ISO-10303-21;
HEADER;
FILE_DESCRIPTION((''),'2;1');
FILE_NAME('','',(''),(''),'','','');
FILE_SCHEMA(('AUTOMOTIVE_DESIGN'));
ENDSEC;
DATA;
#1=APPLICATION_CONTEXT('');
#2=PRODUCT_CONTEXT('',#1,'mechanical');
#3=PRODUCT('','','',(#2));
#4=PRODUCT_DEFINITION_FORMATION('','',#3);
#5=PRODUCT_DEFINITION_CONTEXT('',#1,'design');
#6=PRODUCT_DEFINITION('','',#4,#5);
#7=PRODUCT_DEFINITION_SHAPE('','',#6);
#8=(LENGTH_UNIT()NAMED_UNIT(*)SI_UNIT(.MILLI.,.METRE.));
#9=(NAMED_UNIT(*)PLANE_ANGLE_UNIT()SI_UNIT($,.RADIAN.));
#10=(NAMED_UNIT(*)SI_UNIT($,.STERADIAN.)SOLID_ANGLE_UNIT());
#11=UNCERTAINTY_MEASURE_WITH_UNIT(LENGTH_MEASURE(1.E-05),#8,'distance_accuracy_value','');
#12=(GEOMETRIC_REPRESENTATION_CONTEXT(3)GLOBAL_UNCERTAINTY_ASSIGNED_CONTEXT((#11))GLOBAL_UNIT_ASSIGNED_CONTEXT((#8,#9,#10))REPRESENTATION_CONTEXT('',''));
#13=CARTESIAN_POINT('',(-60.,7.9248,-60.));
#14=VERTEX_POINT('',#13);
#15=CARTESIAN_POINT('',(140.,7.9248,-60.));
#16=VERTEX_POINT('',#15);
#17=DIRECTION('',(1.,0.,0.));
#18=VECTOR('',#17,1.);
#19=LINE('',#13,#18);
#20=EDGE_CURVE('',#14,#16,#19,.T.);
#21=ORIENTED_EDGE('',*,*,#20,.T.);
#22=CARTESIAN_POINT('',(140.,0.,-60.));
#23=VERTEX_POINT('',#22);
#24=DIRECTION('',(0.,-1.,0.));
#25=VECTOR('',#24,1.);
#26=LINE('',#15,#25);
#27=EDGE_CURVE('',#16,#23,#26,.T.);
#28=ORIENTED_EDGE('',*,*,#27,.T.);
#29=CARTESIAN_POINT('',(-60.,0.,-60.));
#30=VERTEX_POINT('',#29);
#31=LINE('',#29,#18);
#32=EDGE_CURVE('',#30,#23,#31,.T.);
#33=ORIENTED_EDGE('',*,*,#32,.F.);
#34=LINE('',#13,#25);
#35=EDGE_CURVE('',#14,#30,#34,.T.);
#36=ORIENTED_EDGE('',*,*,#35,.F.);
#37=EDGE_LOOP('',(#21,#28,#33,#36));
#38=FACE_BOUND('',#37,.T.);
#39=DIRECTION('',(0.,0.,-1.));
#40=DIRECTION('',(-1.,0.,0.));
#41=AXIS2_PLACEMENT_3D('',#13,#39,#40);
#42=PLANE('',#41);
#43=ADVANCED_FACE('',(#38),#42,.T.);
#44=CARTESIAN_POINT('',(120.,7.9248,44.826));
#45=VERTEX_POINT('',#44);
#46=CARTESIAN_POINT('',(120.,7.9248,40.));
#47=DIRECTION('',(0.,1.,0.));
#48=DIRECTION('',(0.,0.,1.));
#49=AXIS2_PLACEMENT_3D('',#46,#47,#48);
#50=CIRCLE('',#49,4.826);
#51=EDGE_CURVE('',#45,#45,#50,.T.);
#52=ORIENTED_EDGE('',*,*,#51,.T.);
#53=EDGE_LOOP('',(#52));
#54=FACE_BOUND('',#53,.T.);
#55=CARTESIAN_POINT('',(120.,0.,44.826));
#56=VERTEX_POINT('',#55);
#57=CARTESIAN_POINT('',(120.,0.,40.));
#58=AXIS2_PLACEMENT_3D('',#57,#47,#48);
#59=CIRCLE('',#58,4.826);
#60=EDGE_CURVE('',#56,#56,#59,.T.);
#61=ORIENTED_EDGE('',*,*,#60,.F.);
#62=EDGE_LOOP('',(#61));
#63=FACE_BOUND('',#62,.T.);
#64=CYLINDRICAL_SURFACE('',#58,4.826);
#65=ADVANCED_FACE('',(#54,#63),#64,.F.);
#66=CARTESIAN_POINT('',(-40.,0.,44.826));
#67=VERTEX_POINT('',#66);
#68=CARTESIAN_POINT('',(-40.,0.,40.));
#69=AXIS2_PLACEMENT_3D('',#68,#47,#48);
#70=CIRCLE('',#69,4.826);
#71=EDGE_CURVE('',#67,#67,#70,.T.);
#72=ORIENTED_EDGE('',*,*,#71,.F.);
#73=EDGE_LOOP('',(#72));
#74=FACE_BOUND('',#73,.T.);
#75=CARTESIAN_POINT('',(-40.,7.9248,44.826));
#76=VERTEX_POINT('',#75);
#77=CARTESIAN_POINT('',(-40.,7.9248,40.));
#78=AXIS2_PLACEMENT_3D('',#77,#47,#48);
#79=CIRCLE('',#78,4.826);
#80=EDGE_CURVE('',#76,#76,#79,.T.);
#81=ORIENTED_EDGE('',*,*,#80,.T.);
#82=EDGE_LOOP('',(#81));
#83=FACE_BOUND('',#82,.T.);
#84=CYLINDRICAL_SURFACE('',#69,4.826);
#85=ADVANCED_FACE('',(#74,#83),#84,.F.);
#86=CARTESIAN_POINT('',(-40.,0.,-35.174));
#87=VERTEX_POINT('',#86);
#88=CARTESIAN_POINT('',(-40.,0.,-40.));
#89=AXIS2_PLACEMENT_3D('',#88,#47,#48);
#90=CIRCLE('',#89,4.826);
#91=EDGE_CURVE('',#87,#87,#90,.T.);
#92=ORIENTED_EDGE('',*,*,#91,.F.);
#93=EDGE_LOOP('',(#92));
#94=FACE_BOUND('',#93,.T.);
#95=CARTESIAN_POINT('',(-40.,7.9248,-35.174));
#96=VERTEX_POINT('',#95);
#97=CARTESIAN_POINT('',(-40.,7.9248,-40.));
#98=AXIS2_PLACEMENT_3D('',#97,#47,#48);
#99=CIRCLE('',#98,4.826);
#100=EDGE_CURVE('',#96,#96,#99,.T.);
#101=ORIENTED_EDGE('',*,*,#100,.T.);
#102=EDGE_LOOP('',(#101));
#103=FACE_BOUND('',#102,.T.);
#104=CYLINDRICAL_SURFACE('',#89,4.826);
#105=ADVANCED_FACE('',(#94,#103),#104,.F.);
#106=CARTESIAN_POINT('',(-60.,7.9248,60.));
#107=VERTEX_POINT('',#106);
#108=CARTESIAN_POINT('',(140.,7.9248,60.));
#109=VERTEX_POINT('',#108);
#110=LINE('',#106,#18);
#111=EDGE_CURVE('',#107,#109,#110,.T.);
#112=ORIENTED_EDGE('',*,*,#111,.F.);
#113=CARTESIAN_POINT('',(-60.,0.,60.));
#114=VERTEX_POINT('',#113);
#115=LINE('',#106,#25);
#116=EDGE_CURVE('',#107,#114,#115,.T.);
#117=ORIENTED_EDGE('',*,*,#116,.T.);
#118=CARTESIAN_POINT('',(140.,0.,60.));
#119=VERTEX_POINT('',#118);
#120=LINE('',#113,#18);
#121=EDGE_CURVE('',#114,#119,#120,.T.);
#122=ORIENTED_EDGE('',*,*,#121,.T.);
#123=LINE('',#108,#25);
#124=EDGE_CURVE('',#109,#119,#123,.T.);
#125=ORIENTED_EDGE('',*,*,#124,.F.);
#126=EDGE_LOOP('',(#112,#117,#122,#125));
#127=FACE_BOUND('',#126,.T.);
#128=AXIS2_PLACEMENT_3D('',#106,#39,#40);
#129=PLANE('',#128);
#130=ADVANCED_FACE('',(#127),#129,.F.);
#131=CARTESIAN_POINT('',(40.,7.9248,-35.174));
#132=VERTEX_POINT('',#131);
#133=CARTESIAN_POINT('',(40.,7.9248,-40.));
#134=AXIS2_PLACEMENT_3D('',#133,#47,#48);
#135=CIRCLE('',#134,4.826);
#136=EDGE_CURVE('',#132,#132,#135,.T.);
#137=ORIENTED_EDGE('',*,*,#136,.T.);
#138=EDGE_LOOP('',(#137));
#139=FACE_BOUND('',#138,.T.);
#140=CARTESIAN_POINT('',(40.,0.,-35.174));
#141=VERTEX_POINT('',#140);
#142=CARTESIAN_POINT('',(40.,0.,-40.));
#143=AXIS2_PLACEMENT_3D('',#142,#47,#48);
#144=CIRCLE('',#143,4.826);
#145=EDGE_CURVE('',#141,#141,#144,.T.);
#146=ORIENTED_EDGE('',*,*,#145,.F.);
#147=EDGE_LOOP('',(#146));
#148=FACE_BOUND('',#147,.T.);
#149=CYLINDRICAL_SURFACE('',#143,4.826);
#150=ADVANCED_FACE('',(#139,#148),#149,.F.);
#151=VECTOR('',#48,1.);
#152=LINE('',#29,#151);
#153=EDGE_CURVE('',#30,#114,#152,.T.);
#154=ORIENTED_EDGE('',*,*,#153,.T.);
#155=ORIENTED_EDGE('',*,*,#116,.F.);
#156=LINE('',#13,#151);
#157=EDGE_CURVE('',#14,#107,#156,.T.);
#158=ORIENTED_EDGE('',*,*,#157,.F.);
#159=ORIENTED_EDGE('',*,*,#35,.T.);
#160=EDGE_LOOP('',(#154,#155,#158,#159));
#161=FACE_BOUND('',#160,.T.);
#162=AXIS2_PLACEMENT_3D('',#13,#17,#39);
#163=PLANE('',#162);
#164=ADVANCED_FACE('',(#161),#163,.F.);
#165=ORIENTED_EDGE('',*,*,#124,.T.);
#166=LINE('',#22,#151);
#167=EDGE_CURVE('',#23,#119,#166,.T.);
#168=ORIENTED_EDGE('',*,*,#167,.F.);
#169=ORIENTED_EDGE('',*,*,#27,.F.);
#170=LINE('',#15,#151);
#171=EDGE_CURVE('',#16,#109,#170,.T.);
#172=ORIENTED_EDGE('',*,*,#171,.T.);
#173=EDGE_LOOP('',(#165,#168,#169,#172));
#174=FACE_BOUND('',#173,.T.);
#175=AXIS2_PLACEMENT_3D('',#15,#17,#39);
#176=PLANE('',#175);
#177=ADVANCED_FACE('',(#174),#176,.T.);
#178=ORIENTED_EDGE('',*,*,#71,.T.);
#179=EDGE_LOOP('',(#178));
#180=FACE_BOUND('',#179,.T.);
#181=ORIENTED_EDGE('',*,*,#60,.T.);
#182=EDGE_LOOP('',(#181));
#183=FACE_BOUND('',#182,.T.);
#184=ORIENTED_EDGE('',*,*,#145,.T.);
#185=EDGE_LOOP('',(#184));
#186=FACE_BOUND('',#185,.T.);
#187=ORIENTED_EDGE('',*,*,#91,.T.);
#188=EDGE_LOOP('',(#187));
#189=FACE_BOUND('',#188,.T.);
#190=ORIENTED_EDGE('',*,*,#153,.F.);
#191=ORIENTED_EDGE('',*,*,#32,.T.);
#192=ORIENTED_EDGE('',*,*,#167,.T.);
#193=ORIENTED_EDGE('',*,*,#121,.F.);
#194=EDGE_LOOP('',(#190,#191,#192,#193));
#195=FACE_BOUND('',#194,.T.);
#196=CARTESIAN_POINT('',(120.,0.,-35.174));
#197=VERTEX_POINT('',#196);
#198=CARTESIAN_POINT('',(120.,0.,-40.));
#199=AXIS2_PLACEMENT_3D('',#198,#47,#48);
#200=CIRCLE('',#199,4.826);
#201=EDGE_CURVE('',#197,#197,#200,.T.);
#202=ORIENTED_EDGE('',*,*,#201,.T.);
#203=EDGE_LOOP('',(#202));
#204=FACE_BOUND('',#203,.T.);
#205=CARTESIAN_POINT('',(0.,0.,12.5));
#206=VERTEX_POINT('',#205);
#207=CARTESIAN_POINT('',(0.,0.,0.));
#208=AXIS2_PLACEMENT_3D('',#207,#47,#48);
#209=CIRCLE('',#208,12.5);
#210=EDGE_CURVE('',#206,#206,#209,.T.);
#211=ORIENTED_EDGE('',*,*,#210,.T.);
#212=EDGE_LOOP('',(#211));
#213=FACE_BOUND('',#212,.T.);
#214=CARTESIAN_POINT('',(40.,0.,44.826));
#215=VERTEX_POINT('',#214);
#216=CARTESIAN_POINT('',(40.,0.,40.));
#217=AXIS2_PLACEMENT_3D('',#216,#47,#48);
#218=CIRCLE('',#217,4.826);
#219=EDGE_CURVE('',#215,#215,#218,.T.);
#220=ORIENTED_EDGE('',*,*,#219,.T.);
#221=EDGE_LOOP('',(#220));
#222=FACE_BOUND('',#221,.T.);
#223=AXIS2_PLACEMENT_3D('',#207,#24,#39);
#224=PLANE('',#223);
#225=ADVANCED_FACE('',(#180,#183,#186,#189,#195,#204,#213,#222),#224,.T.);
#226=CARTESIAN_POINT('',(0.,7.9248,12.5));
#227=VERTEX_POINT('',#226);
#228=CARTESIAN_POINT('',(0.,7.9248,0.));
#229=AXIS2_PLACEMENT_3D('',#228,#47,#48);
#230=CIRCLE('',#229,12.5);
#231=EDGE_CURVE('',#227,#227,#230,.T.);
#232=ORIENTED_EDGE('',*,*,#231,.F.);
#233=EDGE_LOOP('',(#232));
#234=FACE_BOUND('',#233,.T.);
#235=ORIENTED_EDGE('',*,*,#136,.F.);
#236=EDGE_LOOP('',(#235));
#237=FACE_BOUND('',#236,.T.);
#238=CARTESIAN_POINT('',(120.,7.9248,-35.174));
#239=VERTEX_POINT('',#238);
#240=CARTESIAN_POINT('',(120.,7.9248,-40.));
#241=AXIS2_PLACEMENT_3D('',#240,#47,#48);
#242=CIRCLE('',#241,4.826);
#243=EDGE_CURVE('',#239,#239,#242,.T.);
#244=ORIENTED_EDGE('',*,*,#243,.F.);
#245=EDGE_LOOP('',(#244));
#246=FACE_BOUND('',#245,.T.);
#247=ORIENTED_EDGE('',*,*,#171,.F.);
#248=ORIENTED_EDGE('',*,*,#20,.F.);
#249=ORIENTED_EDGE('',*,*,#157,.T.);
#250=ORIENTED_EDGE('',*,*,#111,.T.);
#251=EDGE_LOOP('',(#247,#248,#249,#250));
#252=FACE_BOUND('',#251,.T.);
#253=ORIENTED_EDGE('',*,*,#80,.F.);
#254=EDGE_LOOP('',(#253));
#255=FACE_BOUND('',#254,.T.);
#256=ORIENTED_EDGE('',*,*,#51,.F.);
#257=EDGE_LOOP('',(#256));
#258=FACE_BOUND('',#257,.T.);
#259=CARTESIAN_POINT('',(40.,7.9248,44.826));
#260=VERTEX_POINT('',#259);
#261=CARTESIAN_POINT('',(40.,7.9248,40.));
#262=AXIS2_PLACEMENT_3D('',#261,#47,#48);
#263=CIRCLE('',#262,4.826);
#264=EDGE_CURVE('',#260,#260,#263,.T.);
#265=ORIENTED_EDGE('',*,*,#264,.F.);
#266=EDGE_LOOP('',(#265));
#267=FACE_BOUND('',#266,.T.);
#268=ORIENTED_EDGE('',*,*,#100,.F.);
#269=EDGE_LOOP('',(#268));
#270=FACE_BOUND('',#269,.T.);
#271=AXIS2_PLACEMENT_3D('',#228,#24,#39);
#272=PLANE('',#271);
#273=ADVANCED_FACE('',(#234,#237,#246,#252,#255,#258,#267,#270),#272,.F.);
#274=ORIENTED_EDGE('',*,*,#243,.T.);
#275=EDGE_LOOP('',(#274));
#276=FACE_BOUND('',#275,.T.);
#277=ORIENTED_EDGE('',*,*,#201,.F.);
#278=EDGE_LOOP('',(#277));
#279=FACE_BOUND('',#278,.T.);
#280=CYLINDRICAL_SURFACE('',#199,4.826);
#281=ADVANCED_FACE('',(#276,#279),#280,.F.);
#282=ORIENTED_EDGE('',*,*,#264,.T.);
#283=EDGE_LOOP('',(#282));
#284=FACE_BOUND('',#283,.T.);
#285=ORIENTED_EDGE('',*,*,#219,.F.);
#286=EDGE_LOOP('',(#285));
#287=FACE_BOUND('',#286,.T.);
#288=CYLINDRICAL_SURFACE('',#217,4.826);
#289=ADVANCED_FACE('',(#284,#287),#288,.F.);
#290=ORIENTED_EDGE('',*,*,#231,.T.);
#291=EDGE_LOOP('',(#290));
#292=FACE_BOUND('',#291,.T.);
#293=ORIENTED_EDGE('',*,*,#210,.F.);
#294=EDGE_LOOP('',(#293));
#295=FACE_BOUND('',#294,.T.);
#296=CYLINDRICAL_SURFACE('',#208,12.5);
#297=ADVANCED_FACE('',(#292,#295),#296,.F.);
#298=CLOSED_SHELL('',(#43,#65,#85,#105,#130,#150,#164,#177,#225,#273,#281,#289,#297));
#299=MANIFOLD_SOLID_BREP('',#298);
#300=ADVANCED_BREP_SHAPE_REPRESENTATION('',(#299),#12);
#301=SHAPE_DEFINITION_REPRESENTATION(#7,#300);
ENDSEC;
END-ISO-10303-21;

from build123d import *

# Parameters (mm, degrees)
SKETCH1_W            = 200
SKETCH1_H            = 120
BOSS_EXTRUDE1_DEPTH  = 7.9248
SKETCH3_R            = 4.826
CUT_EXTRUDE1_DEPTH   = 153.521481946
LPATTERN1_COUNT      = 3
LPATTERN1_PITCH      = 80
LPATTERN1_COUNT_DIR2 = 2
LPATTERN1_PITCH_DIR2 = 80
SKETCH6_R            = 12.5
CUT_EXTRUDE2_DEPTH   = 153.521481946


with BuildPart() as part:
    # Sketch1 → Boss-Extrude1 (new body)
    with BuildSketch(Plane(origin=(0, 0, 0), x_dir=(1, 0, 0), z_dir=(0, 1, 0))):
        with Locations((40, 0)):
            Rectangle(SKETCH1_W, SKETCH1_H)
    extrude(amount=BOSS_EXTRUDE1_DEPTH)

    # Sketch3 → Cut-Extrude1 (cut, through all)
    with BuildSketch(Plane(origin=(0, 7.9248, 0), x_dir=(1, 0, 0), z_dir=(0, 1, 0))):
        with Locations(Location((-40, 40, 0), (0, 0, 270))):
            Circle(SKETCH3_R)
    cut_extrude1 = extrude(amount=-CUT_EXTRUDE1_DEPTH, mode=Mode.SUBTRACT)

    # LPattern1: Cut-Extrude1 3 × 2
    with Locations(*[(i * LPATTERN1_PITCH, 0, j * LPATTERN1_PITCH_DIR2) for i in range(LPATTERN1_COUNT) for j in range(LPATTERN1_COUNT_DIR2) if (i, j) != (0, 0)]):
        add(cut_extrude1, mode=Mode.SUBTRACT)

    # Sketch6 → Cut-Extrude2 (cut, through all)
    with BuildSketch(Plane(origin=(0, 7.9248, 0), x_dir=(1, 0, 0), z_dir=(0, 1, 0))):
        with Locations(Location((0, 0, 0), (0, 0, 270))):
            Circle(SKETCH6_R)
    extrude(amount=-CUT_EXTRUDE2_DEPTH, mode=Mode.SUBTRACT)


solid = part.part
